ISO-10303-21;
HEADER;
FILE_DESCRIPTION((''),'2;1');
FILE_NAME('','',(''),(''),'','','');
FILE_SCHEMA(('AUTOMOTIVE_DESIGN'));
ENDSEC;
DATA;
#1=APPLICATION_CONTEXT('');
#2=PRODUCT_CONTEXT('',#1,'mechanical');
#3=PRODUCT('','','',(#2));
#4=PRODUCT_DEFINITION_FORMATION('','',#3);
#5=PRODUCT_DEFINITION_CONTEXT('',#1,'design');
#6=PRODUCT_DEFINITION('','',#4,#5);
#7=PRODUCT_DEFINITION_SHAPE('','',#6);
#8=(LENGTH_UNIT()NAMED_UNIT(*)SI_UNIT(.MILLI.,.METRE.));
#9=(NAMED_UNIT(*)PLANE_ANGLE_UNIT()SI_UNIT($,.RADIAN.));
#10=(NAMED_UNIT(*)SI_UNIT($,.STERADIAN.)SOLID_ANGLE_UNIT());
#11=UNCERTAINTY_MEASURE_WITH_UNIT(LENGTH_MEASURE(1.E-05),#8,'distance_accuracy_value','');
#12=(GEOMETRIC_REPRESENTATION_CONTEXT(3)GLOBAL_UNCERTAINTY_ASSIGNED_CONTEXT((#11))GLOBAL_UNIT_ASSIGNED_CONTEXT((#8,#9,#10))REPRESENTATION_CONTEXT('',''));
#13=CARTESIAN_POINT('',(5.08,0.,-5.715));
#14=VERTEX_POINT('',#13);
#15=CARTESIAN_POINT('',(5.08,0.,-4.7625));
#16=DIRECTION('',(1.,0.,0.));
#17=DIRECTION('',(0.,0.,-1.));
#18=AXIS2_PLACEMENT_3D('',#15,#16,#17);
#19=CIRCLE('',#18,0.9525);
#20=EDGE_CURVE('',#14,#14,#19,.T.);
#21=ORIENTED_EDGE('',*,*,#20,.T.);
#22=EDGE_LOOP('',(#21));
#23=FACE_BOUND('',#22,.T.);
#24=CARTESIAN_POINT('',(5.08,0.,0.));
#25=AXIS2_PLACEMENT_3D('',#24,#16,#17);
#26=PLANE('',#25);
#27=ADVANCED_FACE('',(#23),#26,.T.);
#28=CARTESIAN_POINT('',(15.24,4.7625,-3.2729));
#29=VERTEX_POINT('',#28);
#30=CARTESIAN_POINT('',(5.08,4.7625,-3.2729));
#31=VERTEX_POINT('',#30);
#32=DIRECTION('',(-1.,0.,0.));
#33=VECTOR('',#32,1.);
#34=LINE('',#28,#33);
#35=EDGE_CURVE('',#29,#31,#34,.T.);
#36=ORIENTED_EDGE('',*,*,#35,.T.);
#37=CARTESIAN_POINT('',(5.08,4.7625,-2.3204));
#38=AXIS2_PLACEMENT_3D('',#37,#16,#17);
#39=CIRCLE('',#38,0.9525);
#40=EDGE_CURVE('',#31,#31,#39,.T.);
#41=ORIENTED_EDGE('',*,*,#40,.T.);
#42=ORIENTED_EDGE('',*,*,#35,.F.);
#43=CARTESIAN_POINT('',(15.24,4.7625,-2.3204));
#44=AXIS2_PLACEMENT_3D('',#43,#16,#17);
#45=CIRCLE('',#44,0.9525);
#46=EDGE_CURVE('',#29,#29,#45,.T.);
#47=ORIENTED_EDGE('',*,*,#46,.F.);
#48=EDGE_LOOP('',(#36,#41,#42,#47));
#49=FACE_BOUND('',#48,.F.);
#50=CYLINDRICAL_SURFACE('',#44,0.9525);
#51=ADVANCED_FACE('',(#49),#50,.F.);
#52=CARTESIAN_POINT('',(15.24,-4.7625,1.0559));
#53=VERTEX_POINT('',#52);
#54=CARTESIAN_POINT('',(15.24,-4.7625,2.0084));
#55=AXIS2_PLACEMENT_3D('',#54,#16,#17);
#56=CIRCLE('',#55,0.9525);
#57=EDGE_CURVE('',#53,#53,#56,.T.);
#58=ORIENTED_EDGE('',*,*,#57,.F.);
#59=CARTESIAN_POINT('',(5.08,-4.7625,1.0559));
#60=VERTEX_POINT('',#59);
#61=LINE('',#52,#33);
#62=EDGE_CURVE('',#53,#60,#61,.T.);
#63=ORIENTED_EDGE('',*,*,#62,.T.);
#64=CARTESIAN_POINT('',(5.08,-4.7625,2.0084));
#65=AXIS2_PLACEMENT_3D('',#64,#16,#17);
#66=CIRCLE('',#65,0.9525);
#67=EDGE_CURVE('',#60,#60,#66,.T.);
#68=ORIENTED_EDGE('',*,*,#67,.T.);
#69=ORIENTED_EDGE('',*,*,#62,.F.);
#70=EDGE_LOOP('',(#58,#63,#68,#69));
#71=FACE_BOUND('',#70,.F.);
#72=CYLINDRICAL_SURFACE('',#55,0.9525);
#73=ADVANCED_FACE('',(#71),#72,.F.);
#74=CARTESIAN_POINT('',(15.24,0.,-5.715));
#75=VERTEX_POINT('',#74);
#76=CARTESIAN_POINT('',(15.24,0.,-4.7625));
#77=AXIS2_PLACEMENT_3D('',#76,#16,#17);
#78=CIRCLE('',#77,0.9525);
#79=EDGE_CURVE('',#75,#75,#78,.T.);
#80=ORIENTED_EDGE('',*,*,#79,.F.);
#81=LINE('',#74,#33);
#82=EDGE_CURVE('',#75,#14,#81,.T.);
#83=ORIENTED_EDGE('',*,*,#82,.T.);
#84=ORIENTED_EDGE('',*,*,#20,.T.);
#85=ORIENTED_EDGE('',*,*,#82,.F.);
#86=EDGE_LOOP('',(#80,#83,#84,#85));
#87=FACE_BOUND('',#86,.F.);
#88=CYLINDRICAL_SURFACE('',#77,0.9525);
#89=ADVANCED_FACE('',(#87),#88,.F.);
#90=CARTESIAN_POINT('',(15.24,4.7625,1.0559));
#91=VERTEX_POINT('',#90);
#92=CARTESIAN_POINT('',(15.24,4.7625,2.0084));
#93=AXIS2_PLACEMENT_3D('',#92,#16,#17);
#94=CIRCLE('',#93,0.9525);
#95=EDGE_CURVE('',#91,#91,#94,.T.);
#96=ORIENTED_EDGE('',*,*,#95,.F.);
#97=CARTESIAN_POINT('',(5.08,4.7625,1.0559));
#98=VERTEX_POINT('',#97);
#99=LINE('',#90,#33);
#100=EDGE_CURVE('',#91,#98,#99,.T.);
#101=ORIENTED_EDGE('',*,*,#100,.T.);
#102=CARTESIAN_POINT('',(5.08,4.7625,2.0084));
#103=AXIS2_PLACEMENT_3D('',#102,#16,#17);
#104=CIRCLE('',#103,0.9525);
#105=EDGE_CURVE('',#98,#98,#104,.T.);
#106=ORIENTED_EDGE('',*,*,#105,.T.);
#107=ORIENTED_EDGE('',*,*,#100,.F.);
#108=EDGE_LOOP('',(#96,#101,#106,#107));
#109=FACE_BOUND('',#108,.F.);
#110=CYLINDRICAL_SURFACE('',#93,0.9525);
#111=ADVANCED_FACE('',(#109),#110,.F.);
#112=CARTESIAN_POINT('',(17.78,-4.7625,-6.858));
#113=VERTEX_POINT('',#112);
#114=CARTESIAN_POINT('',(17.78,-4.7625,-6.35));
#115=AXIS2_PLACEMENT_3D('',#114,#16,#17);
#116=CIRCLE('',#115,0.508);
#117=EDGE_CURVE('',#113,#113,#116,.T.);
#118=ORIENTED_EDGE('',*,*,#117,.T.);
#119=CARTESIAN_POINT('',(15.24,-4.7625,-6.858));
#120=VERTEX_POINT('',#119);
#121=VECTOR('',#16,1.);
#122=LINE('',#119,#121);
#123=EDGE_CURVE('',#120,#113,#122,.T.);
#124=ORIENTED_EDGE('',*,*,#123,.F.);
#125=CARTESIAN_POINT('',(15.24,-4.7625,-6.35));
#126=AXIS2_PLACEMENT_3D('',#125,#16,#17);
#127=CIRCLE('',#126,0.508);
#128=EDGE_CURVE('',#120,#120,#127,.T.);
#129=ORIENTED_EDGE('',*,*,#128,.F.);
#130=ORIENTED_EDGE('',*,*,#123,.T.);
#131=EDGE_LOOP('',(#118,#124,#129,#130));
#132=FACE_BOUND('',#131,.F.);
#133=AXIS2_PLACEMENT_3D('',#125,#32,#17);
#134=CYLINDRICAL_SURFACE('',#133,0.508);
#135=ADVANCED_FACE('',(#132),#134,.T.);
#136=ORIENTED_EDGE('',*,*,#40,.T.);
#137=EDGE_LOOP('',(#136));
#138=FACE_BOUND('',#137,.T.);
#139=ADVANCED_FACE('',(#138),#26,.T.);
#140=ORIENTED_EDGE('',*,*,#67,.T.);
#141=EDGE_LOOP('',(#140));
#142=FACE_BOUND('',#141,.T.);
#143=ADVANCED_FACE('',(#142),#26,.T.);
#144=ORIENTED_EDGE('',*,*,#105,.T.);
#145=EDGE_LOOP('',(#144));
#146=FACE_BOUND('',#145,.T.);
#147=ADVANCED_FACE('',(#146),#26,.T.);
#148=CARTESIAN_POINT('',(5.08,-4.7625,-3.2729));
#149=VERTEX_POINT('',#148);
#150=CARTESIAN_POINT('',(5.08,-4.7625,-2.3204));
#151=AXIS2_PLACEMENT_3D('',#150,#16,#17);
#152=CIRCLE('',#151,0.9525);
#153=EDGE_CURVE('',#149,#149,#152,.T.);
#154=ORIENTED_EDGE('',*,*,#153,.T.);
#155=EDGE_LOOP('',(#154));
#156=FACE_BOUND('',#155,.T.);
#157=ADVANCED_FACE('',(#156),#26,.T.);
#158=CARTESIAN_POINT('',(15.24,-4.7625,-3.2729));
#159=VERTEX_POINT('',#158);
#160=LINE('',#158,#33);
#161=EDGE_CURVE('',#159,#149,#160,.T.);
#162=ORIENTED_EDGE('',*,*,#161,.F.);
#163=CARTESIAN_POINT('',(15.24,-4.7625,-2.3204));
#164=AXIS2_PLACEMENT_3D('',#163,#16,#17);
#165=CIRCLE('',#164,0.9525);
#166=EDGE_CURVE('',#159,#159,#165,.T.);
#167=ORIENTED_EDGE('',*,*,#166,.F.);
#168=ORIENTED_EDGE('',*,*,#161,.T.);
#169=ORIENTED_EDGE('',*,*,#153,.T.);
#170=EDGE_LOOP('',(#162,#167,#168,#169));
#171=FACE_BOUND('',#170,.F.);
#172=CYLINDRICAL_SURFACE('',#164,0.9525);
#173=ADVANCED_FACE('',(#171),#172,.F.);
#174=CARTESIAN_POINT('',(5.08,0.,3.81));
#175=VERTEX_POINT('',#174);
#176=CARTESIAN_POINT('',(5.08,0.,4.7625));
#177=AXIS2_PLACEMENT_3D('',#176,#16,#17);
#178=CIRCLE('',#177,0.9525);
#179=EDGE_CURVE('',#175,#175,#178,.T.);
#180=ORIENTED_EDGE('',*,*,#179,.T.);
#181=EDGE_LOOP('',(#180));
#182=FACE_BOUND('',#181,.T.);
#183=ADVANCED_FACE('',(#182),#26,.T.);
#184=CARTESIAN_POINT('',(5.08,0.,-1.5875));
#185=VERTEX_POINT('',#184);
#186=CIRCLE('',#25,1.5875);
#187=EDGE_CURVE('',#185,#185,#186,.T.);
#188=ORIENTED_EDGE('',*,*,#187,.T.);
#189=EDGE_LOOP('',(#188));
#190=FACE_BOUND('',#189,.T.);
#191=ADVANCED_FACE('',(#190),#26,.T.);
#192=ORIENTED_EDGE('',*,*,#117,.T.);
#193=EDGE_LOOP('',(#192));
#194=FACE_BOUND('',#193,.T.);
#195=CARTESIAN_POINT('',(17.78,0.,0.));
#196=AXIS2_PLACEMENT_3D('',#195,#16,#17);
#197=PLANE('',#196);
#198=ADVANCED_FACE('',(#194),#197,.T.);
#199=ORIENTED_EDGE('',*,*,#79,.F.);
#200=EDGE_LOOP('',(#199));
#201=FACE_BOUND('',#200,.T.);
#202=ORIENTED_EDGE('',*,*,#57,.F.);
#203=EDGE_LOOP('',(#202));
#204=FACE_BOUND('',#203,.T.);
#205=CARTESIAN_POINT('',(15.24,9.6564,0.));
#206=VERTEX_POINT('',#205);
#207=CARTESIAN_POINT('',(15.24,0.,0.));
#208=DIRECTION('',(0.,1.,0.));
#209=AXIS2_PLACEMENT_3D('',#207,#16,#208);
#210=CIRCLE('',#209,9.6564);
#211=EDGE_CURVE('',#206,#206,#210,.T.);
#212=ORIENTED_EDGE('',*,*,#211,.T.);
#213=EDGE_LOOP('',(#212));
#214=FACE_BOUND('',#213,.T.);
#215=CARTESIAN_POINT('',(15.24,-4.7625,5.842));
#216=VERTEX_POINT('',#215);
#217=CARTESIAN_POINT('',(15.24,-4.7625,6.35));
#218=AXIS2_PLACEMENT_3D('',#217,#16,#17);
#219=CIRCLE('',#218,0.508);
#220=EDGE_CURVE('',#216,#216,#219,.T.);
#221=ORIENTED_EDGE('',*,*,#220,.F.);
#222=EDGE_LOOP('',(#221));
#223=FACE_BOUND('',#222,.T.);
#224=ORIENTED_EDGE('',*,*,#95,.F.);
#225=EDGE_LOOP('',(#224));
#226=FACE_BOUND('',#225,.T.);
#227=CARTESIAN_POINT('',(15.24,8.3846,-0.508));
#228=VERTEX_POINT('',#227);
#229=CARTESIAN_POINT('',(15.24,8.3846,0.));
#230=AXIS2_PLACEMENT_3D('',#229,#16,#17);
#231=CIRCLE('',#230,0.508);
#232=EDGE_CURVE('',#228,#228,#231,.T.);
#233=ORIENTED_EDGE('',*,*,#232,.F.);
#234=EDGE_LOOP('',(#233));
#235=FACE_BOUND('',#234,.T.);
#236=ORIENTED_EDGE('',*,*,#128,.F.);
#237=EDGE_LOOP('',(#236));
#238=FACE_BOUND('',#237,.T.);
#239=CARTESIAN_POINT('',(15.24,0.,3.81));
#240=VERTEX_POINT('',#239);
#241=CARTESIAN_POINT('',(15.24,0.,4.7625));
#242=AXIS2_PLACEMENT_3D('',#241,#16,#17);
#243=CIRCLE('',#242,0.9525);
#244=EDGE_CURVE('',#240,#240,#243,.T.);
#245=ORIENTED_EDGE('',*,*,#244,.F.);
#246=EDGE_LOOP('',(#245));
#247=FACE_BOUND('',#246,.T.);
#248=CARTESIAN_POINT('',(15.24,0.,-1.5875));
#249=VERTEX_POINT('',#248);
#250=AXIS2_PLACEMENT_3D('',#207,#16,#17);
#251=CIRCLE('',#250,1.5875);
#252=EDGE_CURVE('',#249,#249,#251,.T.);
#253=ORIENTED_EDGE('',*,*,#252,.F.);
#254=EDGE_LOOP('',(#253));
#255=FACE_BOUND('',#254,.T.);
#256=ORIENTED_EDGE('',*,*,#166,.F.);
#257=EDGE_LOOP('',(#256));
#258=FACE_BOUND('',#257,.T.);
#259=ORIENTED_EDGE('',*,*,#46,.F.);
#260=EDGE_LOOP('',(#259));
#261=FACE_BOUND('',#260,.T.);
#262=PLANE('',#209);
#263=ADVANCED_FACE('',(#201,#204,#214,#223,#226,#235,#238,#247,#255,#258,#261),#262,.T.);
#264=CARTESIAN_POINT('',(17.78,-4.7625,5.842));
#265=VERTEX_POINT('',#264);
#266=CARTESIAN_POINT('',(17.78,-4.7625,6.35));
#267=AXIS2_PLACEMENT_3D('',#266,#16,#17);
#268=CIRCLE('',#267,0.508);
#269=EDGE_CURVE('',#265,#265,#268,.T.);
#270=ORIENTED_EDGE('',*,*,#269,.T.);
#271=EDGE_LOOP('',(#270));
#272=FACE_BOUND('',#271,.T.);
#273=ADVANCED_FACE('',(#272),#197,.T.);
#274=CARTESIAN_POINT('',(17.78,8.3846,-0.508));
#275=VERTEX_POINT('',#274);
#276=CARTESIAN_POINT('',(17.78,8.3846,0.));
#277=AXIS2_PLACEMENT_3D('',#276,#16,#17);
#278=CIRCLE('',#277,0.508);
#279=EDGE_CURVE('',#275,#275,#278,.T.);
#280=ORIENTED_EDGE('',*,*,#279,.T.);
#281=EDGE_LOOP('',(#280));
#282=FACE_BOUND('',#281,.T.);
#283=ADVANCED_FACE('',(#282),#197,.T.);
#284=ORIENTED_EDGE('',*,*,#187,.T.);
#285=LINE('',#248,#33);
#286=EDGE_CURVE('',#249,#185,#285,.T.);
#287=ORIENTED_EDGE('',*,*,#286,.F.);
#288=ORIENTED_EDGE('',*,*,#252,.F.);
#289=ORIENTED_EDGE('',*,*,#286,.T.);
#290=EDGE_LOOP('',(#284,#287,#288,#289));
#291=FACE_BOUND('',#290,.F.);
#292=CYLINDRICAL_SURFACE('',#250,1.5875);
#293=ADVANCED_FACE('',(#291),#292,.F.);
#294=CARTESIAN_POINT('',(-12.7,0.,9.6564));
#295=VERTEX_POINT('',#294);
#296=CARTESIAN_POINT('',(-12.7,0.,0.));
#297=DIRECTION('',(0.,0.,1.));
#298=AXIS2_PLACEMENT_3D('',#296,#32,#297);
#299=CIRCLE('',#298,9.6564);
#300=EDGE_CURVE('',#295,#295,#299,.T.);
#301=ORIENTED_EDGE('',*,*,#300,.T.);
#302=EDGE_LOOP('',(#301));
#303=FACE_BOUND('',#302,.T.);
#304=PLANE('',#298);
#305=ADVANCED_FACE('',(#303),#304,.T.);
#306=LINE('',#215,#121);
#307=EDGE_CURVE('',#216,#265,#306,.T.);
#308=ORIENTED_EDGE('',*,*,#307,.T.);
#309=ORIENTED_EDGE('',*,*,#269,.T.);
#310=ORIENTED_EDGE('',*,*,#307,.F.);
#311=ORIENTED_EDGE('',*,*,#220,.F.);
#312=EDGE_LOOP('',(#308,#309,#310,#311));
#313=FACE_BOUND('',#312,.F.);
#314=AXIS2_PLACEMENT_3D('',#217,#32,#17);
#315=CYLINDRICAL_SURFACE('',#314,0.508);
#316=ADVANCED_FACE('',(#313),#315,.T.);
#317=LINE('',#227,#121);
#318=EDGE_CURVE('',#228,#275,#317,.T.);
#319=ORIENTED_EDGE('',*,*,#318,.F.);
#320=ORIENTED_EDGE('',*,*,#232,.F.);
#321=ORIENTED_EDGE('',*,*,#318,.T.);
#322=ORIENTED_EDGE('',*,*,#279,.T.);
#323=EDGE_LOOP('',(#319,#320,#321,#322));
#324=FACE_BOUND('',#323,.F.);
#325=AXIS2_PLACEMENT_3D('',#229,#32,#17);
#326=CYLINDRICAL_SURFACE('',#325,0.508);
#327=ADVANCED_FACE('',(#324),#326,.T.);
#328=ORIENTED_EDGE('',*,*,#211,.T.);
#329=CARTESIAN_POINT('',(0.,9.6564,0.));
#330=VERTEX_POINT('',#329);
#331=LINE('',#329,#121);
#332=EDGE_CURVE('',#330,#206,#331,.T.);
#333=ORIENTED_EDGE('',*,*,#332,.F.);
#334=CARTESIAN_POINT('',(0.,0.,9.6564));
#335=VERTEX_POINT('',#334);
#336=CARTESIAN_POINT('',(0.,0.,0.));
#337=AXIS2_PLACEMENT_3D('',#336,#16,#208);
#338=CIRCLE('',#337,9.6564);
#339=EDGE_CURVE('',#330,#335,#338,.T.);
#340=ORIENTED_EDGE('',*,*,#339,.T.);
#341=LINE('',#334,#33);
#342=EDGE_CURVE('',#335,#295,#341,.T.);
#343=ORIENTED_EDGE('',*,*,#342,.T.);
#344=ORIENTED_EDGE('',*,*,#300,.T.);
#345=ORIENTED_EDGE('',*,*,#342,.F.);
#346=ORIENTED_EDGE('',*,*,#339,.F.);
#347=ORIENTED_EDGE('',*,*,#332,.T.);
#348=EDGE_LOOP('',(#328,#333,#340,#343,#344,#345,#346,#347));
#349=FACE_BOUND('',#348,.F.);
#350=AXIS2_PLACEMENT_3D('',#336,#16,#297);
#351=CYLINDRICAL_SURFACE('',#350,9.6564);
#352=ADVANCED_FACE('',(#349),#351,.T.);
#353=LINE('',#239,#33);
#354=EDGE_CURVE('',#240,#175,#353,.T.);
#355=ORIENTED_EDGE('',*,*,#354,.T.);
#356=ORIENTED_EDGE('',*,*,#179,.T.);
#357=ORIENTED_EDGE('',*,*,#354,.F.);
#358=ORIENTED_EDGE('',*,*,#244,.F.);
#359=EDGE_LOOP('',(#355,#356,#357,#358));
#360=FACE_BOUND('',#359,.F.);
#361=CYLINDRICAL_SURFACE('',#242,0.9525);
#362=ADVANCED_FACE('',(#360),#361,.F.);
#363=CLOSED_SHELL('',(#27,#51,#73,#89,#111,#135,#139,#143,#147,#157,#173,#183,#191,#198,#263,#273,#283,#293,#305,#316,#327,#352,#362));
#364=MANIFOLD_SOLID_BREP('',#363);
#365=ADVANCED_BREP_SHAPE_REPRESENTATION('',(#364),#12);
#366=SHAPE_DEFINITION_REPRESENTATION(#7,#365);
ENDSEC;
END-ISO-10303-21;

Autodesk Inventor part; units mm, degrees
ref_plane "YZ Plane" through (0, 0, 0) normal (1, 0, 0) x (0, 1, 0)
ref_plane "XZ Plane" through (0, 0, 0) normal (0, 1, 0) x (-1, 0, 0)
ref_plane "XY Plane" through (0, 0, 0) normal (0, 0, 1) x (1, 0, 0)
sketch "Sketch1" plane through (0, 0, 0) normal (1, 0, 0) x (0, 1, 0)
  circle A0 centre (0, 0) radius 9.6564
extrude "Extrusion1" add sketch "Sketch1" along normal blind 15.24
sketch "Sketch2" plane through (15.24, 0, 0) normal (1, 0, 0) x (0, 0, -1)
  circle A0 centre (0, 0) radius 6.5454
  circle A1 centre (0, 0) radius 1.5875
  circle A2 centre (-4.7625, 0) radius 0.9525
  circle A3 centre (2.3204, 4.7625) radius 0.9525
  circle A4 centre (4.7625, 0) radius 0.9525
  circle A5 centre (2.3204, -4.7625) radius 0.9525
  circle A6 centre (-2.0084, -4.7625) radius 0.9525
  circle A7 centre (-2.0084, 4.7625) radius 0.9525
  circle A8 centre (0, 8.2286) radius 0.508
  circle A9 centre (-5.715, -5.715) radius 0.508
  circle A10 centre (5.715, -5.715) radius 0.508
  dimension "d3" = 1.905
  dimension "d5" = 1.905
  dimension "d6" = 1.905
  dimension "d7" = 1.905
  dimension "d8" = 1.905
  dimension "d9" = 1.905
  dimension "d10" = 1.016
  dimension "d11" = 1.016
  dimension "d12" = 1.016
extrude "Extrusion2" cut sketch "Sketch2" against normal blind 10.16 contours A1 | A2 | A3 | A4 | A5 | A6 | A7
sketch "Sketch3" plane through (15.24, 0, 0) normal (1, 0, 0) x (0, 0, -1)
  circle A0 centre (0, 8.3846) radius 0.508
  circle A1 centre (-6.35, -4.7625) radius 0.508
  circle A2 centre (6.35, -4.7625) radius 0.508
  point P0 (0, 0)
  dimension "d15" = 1.016
  dimension "d16" = 1.016
  dimension "d17" = 1.016
extrude "Extrusion3" add sketch "Sketch3" along normal blind 2.54
sketch "Sketch4" plane through (0, 0, 0) normal (-1, 0, 0) x (0, 0, 1)
  circle A0 centre (0, 0) radius 9.6564
extrude "Extrusion4" add sketch "Sketch4" along normal blind 12.7
properties part number "DC SUBMERSIBLE PUMP"
